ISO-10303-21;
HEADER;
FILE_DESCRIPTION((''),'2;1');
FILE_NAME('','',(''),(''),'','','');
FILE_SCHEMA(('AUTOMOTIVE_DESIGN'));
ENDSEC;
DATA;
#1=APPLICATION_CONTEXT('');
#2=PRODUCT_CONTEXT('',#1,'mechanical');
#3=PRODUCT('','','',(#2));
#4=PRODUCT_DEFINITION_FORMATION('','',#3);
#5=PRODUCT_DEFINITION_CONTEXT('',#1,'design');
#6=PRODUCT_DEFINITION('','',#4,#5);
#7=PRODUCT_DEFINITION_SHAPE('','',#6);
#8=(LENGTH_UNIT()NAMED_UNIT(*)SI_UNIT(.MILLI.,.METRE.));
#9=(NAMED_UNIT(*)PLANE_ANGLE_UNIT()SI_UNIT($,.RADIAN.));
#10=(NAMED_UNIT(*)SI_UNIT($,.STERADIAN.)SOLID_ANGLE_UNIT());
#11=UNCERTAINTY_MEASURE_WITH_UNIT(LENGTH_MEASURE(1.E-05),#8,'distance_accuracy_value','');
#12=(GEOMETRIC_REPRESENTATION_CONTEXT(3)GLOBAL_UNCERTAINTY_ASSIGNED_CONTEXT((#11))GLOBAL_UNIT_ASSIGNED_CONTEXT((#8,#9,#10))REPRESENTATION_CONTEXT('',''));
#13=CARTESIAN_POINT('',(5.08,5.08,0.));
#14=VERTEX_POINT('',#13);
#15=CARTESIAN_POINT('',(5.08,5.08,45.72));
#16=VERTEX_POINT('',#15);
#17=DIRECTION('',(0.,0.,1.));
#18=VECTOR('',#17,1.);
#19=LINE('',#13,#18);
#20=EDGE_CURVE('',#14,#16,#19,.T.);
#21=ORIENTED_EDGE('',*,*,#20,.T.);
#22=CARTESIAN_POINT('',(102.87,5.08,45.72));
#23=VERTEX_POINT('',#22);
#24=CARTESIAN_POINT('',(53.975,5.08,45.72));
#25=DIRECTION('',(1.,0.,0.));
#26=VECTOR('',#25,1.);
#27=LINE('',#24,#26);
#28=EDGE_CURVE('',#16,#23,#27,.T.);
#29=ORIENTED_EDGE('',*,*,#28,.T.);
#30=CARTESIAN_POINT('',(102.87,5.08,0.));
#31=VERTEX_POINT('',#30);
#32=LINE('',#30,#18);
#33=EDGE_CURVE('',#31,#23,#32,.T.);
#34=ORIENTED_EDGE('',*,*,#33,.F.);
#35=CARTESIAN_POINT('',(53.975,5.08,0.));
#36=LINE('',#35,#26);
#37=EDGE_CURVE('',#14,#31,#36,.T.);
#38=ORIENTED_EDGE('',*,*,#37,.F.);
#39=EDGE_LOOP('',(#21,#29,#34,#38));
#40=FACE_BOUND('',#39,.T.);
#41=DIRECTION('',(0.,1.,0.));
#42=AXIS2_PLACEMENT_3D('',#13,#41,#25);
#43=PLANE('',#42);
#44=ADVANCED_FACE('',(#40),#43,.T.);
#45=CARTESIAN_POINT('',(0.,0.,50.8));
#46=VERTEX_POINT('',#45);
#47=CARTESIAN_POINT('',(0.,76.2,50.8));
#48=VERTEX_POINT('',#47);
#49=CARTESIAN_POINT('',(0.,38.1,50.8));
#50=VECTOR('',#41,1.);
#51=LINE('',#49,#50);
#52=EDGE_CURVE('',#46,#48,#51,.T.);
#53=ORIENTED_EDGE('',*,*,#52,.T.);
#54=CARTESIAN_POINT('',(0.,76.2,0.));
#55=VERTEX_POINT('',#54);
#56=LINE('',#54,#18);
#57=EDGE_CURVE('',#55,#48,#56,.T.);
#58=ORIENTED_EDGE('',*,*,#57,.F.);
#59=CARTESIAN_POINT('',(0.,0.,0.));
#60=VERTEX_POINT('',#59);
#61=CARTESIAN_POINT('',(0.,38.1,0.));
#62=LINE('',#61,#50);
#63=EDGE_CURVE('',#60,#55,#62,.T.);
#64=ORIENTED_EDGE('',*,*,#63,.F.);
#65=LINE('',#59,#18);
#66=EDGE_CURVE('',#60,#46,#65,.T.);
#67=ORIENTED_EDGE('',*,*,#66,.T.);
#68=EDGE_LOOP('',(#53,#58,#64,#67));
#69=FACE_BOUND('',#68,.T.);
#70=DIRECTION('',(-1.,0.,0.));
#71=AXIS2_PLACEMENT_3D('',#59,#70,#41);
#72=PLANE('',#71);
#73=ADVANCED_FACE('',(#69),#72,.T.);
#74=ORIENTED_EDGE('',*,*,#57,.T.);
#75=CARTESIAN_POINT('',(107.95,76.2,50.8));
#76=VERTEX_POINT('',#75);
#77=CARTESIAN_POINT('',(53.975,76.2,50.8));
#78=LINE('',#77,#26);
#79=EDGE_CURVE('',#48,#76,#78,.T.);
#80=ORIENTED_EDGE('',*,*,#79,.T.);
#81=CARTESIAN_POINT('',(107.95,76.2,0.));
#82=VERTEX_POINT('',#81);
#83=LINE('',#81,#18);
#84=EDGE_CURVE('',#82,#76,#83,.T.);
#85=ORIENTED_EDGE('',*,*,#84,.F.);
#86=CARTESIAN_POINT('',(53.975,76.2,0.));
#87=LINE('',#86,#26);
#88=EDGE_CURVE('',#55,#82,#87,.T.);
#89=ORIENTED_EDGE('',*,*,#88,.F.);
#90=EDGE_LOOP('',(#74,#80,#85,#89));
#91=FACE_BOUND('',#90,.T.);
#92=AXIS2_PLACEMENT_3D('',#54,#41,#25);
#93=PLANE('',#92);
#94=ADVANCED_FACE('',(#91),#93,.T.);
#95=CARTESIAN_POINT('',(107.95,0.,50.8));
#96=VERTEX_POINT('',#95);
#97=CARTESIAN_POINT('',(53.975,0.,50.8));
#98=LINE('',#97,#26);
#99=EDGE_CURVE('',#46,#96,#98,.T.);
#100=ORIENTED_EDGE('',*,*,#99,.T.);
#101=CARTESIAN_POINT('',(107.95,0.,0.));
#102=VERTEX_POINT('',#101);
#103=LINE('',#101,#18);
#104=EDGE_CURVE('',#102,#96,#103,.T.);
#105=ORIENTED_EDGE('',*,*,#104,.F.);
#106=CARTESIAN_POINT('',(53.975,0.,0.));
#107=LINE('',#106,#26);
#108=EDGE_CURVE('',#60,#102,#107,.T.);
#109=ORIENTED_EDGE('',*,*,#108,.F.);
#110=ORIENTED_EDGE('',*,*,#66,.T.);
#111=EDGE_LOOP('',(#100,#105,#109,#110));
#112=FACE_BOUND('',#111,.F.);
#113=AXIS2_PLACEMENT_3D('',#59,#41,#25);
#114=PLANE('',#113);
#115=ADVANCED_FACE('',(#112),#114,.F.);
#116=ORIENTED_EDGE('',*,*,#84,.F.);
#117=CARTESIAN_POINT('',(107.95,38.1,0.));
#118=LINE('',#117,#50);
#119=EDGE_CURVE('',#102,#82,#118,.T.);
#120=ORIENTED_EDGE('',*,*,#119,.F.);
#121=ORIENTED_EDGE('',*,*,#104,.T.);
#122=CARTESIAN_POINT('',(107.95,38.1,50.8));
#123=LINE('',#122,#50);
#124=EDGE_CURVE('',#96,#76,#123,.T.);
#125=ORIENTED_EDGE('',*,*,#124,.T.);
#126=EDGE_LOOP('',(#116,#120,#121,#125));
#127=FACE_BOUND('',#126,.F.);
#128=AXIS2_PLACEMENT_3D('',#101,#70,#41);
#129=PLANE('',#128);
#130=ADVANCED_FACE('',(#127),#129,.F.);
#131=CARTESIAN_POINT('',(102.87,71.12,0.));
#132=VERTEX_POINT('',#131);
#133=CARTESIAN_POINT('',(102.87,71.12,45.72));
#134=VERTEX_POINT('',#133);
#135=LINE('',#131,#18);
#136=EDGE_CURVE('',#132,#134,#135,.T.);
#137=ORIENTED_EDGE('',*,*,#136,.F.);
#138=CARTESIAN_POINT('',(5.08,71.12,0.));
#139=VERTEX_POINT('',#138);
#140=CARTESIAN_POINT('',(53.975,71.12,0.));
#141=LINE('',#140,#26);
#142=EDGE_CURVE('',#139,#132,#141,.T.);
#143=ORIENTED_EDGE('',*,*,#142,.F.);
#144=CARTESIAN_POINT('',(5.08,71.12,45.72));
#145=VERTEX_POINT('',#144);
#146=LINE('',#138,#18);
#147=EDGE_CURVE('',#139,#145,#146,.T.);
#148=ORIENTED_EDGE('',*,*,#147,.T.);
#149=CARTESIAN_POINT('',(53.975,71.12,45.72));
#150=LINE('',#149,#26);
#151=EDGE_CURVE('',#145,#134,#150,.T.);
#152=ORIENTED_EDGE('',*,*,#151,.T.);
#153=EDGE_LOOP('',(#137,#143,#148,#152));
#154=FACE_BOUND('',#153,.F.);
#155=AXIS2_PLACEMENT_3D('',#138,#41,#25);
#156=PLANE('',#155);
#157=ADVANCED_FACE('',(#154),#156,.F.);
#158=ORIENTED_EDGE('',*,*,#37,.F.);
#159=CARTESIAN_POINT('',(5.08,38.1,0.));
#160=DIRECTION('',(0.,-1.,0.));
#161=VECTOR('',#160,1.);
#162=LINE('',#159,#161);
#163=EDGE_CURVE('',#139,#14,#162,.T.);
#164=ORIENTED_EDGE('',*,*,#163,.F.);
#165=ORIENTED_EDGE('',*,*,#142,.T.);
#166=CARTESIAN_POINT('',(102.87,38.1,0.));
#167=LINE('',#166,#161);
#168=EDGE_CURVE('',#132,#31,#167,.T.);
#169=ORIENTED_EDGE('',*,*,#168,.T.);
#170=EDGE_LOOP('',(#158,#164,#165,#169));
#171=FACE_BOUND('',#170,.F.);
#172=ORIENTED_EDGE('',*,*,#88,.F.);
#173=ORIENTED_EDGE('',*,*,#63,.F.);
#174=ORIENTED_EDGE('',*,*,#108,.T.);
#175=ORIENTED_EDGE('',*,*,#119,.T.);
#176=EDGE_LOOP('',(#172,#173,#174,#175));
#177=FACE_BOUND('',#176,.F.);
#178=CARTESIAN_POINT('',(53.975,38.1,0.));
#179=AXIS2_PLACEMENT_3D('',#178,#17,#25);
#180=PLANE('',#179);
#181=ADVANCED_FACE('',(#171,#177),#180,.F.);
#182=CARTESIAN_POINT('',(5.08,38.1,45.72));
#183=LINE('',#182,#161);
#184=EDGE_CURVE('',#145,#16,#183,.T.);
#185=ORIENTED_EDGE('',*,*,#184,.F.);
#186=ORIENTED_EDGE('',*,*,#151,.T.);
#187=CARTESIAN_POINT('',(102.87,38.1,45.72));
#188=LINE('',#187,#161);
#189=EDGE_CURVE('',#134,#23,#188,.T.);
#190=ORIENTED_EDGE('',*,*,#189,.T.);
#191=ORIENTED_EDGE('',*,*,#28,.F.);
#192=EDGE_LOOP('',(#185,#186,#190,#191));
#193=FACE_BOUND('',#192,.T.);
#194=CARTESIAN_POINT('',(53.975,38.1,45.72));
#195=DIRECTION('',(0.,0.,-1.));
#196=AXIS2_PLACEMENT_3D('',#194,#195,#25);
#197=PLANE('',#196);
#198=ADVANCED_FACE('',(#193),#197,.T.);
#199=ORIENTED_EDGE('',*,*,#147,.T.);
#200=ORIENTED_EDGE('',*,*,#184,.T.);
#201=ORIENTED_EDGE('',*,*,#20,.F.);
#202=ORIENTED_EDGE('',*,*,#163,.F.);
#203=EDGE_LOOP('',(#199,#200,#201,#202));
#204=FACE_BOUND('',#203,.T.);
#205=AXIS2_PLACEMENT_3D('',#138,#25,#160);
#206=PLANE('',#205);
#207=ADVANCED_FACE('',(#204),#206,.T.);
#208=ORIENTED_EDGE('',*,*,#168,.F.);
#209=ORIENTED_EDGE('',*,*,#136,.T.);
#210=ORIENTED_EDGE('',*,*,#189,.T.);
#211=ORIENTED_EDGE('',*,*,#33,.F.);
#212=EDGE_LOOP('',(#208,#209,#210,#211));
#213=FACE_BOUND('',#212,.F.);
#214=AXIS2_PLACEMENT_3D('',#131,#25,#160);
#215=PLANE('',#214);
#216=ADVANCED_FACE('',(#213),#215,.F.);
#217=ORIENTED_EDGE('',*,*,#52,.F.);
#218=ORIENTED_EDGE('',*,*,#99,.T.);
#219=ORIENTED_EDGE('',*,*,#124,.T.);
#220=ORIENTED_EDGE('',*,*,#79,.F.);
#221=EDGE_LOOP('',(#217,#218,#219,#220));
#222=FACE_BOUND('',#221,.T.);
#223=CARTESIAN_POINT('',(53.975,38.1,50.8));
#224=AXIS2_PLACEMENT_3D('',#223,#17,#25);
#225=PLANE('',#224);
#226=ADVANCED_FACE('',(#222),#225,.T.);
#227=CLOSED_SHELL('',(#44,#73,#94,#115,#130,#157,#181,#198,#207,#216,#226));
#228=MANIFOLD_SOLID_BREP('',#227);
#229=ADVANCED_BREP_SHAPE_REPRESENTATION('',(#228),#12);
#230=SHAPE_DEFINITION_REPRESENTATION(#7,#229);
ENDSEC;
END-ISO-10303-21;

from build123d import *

# Parameters (mm, degrees)
F0_W     = 107.95
F0_H     = 76.2
F0_W_2   = 97.79
F0_H_2   = 66.04
F1_DEPTH = 50.8
F2_W     = 97.79
F2_H     = 66.04
F3_DEPTH = 45.72


with BuildPart() as f1:
    # F0 (on Top) → F1 (new body)
    with BuildSketch(Plane.XY):
        with Locations((53.975, 38.1)):
            Rectangle(F0_W, F0_H)
        with Locations((53.975, 38.1)):
            Rectangle(F0_W_2, F0_H_2, mode=Mode.SUBTRACT)
        with Locations((53.975, 38.1)):
            Rectangle(F0_W_2, F0_H_2)
    extrude(amount=F1_DEPTH)

    # F2 (on face) → F3 (cut)
    with BuildSketch(Plane(origin=(0, 0, 0), x_dir=(1, 0, 0), z_dir=(0, 0, -1))):
        with Locations((53.975, -38.1)):
            Rectangle(F2_W, F2_H)
    extrude(amount=-F3_DEPTH, mode=Mode.SUBTRACT)


solid = f1.part
